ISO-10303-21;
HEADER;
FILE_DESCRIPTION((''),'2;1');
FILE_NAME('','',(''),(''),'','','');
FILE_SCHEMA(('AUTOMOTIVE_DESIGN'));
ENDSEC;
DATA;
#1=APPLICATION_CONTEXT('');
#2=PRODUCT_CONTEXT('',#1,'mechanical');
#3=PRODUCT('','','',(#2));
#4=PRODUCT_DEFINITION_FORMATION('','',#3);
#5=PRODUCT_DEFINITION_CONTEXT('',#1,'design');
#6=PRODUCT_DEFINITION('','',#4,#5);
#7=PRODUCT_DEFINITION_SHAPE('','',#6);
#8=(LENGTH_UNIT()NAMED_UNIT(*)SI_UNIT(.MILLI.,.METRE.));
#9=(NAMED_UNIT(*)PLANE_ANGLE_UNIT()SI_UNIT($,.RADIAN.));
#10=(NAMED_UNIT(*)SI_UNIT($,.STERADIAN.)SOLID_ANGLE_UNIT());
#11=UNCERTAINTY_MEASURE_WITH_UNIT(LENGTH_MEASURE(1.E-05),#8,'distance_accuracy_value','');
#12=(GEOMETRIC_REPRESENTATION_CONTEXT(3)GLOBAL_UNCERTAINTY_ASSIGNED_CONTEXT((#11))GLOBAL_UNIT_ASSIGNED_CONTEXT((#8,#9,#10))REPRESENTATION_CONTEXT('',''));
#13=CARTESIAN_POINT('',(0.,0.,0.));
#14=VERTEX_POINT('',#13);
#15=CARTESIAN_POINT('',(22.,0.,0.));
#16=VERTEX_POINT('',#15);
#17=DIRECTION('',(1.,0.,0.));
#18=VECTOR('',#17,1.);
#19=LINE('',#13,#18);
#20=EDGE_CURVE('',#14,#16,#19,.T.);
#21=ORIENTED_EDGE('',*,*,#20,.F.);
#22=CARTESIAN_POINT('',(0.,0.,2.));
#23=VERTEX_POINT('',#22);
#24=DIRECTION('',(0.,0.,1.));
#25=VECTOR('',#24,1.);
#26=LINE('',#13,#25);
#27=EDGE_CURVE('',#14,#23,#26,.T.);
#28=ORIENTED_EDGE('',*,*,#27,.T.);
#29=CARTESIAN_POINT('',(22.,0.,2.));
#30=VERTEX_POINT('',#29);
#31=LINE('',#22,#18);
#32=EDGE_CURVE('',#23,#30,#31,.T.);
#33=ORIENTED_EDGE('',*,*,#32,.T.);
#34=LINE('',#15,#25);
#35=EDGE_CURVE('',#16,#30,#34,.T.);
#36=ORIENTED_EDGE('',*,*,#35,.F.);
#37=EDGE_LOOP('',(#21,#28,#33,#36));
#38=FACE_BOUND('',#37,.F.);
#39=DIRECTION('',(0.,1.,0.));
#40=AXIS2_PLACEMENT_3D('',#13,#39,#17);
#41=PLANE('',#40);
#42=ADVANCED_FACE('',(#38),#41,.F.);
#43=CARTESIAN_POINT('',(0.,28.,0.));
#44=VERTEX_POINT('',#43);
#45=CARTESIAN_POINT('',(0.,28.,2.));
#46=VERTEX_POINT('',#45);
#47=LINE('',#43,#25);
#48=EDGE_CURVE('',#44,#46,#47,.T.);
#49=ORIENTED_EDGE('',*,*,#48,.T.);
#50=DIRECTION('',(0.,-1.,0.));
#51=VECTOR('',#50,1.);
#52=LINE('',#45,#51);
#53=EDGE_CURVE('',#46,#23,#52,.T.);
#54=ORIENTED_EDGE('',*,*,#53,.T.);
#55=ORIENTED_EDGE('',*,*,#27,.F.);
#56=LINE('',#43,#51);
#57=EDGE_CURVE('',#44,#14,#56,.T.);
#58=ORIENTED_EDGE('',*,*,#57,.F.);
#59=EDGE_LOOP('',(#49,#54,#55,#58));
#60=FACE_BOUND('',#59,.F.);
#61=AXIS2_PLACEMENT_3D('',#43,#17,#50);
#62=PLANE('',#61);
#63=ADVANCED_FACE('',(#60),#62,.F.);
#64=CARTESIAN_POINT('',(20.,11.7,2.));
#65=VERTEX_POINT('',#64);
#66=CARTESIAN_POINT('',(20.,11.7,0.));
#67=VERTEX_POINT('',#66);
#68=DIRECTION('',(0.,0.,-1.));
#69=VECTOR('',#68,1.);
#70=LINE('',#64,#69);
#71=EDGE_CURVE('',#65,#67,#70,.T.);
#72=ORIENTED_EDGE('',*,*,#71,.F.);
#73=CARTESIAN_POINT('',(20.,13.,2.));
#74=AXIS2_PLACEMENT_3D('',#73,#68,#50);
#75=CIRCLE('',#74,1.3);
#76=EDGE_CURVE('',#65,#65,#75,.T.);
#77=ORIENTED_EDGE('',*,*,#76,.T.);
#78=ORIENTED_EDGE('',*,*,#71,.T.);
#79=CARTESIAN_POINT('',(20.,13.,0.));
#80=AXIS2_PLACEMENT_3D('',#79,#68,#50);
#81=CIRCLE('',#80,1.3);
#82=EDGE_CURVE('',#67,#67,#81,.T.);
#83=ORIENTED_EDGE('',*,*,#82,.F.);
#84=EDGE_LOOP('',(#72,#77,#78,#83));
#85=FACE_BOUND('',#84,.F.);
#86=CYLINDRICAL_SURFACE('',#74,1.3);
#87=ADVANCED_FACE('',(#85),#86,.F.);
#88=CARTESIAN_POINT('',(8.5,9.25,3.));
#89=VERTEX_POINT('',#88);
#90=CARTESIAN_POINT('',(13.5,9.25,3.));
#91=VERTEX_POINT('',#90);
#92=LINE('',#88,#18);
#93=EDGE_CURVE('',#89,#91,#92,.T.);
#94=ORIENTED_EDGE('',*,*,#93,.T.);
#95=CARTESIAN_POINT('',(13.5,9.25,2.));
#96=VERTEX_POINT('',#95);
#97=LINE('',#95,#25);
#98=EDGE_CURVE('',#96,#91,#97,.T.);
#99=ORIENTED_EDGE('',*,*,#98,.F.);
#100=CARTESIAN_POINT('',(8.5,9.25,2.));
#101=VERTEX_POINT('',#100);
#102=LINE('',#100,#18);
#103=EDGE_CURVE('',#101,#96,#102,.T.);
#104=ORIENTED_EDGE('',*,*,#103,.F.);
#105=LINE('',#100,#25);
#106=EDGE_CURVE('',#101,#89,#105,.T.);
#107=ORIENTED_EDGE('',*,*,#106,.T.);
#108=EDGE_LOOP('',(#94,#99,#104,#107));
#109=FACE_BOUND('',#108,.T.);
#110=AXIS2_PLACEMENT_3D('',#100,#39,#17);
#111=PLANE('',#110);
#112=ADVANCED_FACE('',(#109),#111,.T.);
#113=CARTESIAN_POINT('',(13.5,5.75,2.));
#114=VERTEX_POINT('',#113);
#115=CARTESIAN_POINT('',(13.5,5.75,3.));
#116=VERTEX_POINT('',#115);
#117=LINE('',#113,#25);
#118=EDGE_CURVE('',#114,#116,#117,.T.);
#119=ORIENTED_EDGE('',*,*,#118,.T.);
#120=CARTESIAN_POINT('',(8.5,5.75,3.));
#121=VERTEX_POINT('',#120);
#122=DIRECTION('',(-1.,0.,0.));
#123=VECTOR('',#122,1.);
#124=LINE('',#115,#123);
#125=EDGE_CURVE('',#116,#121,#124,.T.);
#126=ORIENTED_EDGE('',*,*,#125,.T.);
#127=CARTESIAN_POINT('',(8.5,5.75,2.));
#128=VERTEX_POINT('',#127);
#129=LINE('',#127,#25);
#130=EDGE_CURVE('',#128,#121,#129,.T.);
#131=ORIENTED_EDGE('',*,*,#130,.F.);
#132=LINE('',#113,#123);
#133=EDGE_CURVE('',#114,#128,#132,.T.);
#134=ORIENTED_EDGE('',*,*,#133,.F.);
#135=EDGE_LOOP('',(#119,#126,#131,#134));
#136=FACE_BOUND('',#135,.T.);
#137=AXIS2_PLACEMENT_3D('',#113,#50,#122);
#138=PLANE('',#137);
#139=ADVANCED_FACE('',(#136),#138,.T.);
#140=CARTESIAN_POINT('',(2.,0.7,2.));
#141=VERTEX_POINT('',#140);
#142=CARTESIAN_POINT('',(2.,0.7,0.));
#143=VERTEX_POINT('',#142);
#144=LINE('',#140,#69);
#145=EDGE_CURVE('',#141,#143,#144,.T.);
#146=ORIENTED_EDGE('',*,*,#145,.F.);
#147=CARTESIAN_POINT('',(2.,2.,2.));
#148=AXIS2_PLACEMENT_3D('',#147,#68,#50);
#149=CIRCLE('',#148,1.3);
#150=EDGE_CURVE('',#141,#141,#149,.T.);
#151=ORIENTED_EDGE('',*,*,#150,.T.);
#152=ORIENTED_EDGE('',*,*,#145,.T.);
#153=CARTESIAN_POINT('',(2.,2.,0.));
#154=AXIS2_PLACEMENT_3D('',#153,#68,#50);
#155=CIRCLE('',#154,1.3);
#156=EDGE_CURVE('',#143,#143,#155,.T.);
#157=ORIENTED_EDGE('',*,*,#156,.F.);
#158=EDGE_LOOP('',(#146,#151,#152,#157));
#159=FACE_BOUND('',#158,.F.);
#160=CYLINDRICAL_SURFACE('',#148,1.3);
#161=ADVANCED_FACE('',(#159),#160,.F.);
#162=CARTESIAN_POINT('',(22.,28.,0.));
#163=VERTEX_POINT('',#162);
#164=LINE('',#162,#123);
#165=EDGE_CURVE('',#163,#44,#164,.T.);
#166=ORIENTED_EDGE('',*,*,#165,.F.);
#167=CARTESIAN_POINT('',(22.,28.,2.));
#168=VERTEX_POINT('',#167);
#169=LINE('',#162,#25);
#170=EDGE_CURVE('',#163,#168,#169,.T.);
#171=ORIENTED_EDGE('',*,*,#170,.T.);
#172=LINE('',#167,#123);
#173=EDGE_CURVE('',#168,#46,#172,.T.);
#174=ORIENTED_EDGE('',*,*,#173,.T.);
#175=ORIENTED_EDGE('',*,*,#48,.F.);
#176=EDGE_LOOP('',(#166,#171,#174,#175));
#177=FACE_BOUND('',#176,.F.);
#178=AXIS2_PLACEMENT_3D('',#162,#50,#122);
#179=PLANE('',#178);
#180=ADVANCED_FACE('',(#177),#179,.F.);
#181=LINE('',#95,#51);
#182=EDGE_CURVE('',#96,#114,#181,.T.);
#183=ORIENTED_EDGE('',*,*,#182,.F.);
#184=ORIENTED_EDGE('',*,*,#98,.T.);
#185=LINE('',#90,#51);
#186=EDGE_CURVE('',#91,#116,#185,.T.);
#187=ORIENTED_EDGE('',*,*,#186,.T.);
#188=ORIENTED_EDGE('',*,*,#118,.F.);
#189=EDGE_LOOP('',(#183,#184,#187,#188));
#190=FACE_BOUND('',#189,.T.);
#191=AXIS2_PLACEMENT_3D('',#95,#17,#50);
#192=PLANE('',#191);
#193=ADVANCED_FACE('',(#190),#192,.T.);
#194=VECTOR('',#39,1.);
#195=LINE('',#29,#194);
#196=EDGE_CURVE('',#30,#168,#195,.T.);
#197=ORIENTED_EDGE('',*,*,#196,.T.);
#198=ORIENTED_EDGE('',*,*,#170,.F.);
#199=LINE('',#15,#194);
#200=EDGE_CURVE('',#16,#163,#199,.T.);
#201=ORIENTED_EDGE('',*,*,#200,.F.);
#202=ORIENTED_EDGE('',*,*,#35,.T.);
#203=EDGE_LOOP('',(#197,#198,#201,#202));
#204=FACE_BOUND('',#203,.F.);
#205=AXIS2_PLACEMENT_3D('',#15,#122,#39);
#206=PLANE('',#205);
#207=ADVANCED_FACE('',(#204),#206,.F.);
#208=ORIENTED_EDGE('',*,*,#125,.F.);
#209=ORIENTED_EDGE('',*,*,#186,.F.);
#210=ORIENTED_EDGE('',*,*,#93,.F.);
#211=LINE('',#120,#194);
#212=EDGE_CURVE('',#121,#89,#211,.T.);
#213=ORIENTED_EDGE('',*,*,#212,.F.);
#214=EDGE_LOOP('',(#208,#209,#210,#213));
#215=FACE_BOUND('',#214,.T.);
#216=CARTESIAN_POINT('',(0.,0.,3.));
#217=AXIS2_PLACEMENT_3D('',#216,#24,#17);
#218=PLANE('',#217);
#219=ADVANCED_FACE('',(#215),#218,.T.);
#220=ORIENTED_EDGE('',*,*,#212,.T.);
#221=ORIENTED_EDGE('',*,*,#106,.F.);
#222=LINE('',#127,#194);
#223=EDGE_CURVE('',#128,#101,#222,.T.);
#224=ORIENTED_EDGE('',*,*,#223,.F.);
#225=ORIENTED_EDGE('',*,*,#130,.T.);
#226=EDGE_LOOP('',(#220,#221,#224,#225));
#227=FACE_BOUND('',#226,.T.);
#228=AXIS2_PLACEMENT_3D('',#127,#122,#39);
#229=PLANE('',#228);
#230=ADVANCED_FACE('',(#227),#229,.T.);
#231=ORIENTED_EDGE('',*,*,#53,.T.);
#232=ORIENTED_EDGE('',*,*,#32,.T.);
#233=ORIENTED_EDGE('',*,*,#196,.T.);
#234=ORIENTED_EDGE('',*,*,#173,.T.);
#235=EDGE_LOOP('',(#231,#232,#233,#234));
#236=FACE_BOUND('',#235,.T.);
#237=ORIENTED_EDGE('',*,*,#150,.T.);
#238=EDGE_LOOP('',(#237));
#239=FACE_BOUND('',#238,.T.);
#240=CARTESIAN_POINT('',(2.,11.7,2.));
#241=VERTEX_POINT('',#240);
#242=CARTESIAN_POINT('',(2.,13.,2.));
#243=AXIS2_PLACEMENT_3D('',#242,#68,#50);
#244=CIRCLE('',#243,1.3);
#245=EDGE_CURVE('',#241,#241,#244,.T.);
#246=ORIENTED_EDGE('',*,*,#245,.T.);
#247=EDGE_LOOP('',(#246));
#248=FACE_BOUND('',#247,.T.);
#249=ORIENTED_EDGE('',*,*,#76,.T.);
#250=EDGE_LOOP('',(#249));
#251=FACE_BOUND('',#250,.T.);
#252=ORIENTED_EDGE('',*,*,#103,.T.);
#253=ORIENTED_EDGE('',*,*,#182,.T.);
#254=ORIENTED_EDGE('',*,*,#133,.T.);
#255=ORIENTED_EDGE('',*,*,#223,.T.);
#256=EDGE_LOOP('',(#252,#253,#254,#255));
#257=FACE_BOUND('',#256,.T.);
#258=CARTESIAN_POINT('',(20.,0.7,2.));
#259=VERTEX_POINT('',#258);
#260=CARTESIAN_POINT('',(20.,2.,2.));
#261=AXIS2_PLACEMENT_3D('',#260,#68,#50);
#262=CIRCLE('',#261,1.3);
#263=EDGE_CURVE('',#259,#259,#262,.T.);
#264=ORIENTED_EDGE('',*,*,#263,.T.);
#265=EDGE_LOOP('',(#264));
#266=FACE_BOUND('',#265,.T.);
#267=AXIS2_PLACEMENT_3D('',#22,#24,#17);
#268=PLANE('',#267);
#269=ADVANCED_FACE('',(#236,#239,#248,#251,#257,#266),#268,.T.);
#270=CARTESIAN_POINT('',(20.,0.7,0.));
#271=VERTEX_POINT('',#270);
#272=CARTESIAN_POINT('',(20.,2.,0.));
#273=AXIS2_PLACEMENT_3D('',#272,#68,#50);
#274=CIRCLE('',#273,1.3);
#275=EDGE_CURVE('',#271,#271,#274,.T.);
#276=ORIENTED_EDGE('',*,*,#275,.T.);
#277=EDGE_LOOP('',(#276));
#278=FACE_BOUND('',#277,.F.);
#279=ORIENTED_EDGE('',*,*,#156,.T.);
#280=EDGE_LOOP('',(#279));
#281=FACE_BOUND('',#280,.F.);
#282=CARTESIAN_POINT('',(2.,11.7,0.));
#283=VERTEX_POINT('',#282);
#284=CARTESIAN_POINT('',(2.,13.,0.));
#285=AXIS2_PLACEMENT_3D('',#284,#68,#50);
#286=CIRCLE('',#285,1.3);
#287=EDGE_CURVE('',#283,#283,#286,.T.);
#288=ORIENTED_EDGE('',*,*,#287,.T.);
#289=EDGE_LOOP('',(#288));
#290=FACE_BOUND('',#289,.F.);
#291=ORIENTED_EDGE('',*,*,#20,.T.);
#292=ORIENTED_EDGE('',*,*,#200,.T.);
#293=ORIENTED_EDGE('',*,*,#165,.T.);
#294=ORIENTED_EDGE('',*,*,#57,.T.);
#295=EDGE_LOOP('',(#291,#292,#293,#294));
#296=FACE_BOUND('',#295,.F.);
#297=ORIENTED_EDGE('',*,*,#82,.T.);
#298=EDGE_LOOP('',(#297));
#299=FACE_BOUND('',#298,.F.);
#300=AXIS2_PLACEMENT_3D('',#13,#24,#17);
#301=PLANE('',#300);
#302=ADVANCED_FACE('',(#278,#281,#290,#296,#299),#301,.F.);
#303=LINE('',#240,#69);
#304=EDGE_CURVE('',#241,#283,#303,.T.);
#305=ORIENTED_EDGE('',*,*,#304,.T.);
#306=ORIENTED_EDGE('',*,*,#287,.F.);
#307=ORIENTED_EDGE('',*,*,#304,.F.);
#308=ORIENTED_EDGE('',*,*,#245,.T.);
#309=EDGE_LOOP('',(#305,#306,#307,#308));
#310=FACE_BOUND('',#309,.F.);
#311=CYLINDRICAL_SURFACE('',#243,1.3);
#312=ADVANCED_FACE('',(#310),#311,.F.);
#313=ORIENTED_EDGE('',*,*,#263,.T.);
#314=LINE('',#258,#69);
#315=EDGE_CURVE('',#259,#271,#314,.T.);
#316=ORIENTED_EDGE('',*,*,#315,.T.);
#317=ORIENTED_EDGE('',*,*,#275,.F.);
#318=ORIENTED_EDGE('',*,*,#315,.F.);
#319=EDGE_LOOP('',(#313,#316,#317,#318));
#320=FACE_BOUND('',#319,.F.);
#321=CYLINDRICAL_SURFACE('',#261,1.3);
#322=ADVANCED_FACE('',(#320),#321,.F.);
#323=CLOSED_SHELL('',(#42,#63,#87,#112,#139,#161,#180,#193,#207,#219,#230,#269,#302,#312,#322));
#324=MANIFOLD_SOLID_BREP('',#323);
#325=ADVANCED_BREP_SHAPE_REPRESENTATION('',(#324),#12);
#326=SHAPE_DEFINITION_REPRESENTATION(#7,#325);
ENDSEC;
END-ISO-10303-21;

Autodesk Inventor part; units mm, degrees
ref_plane "YZ Plane" through (0, 0, 0) normal (1, 0, 0) x (0, 1, 0)
ref_plane "XZ Plane" through (0, 0, 0) normal (0, 1, 0) x (-1, 0, 0)
ref_plane "XY Plane" through (0, 0, 0) normal (0, 0, 1) x (1, 0, 0)
sketch "Sketch1" plane through (0, 0, 0) normal (0, 0, 1) x (1, 0, 0)
  line L0 (0, 0) -> (22, 0)
  line L1 (22, 0) -> (22, 28)
  line L2 (22, 28) -> (0, 28)
  line L3 (0, 28) -> (0, 0)
  dimension "d0" = 22
  dimension "d1" = 28
extrude "Extrusion1" add sketch "Sketch1" along normal blind 2
sketch "Sketch2" plane through (0, 0, 2) normal (0, 0, 1) x (1, 0, 0)
  line L0 (0, 0) -> (22, 0) projected
  line L1 (0, 28) -> (0, 0) projected
  point P0 (2, 2)
  dimension "d34" = 2
  dimension "d35" = 2
hole "Hole1" at (2, 2, 2) direction (0, 0, -1) diameter 2.6 end through all
sketch "Sketch3" plane through (0, 0, 2) normal (0, 0, 1) x (1, 0, 0)
  line L0 (22, 0) -> (22, 28) projected
  line L1 (0, 0) -> (22, 0) projected
  point P0 (20, 2)
  dimension "d32" = 2
  dimension "d33" = 2
hole "Hole2" at (20, 2, 2) direction (0, 0, -1) diameter 2.6 end through all
sketch "Sketch4" plane through (0, 0, 2) normal (0, 0, 1) x (1, 0, 0)
  circle A0 centre (2, 2) radius 1.3 projected
  line L0 (0, 28) -> (0, 0) projected
  point P0 (2, 13)
  dimension "d38" = 11
  dimension "d39" = 2
hole "Hole3" at (2, 13, 2) direction (0, 0, -1) diameter 2.6 end through all
sketch "Sketch5" plane through (0, 0, 2) normal (0, 0, 1) x (1, 0, 0)
  line L0 (22, 0) -> (22, 28) projected
  circle A0 centre (20, 2) radius 1.3 projected
  point P0 (0, 0)
  point P1 (20, 13)
  dimension "d36" = 2
  dimension "d37" = 11
hole "Hole4" at (20, 13, 2) direction (0, 0, -1) diameter 2.6 end through all
sketch "Sketch6" plane through (0, 0, 2) normal (0, 0, 1) x (1, 0, 0)
  line L0 (8.5, 9.25) -> (13.5, 9.25)
  line L1 (13.5, 9.25) -> (13.5, 5.75)
  line L2 (13.5, 5.75) -> (8.5, 5.75)
  line L3 (8.5, 5.75) -> (8.5, 9.25)
  line L4 (0, 0) -> (22, 0) projected
  line L5 (0, 28) -> (0, 0) projected
  dimension "d40" = 5
  dimension "d41" = 3.5
  dimension "d42" = 5.75
  dimension "d43" = 8.5
extrude "Extrusion2" add sketch "Sketch6" along normal blind 1
properties part number "angle hall sensor"
